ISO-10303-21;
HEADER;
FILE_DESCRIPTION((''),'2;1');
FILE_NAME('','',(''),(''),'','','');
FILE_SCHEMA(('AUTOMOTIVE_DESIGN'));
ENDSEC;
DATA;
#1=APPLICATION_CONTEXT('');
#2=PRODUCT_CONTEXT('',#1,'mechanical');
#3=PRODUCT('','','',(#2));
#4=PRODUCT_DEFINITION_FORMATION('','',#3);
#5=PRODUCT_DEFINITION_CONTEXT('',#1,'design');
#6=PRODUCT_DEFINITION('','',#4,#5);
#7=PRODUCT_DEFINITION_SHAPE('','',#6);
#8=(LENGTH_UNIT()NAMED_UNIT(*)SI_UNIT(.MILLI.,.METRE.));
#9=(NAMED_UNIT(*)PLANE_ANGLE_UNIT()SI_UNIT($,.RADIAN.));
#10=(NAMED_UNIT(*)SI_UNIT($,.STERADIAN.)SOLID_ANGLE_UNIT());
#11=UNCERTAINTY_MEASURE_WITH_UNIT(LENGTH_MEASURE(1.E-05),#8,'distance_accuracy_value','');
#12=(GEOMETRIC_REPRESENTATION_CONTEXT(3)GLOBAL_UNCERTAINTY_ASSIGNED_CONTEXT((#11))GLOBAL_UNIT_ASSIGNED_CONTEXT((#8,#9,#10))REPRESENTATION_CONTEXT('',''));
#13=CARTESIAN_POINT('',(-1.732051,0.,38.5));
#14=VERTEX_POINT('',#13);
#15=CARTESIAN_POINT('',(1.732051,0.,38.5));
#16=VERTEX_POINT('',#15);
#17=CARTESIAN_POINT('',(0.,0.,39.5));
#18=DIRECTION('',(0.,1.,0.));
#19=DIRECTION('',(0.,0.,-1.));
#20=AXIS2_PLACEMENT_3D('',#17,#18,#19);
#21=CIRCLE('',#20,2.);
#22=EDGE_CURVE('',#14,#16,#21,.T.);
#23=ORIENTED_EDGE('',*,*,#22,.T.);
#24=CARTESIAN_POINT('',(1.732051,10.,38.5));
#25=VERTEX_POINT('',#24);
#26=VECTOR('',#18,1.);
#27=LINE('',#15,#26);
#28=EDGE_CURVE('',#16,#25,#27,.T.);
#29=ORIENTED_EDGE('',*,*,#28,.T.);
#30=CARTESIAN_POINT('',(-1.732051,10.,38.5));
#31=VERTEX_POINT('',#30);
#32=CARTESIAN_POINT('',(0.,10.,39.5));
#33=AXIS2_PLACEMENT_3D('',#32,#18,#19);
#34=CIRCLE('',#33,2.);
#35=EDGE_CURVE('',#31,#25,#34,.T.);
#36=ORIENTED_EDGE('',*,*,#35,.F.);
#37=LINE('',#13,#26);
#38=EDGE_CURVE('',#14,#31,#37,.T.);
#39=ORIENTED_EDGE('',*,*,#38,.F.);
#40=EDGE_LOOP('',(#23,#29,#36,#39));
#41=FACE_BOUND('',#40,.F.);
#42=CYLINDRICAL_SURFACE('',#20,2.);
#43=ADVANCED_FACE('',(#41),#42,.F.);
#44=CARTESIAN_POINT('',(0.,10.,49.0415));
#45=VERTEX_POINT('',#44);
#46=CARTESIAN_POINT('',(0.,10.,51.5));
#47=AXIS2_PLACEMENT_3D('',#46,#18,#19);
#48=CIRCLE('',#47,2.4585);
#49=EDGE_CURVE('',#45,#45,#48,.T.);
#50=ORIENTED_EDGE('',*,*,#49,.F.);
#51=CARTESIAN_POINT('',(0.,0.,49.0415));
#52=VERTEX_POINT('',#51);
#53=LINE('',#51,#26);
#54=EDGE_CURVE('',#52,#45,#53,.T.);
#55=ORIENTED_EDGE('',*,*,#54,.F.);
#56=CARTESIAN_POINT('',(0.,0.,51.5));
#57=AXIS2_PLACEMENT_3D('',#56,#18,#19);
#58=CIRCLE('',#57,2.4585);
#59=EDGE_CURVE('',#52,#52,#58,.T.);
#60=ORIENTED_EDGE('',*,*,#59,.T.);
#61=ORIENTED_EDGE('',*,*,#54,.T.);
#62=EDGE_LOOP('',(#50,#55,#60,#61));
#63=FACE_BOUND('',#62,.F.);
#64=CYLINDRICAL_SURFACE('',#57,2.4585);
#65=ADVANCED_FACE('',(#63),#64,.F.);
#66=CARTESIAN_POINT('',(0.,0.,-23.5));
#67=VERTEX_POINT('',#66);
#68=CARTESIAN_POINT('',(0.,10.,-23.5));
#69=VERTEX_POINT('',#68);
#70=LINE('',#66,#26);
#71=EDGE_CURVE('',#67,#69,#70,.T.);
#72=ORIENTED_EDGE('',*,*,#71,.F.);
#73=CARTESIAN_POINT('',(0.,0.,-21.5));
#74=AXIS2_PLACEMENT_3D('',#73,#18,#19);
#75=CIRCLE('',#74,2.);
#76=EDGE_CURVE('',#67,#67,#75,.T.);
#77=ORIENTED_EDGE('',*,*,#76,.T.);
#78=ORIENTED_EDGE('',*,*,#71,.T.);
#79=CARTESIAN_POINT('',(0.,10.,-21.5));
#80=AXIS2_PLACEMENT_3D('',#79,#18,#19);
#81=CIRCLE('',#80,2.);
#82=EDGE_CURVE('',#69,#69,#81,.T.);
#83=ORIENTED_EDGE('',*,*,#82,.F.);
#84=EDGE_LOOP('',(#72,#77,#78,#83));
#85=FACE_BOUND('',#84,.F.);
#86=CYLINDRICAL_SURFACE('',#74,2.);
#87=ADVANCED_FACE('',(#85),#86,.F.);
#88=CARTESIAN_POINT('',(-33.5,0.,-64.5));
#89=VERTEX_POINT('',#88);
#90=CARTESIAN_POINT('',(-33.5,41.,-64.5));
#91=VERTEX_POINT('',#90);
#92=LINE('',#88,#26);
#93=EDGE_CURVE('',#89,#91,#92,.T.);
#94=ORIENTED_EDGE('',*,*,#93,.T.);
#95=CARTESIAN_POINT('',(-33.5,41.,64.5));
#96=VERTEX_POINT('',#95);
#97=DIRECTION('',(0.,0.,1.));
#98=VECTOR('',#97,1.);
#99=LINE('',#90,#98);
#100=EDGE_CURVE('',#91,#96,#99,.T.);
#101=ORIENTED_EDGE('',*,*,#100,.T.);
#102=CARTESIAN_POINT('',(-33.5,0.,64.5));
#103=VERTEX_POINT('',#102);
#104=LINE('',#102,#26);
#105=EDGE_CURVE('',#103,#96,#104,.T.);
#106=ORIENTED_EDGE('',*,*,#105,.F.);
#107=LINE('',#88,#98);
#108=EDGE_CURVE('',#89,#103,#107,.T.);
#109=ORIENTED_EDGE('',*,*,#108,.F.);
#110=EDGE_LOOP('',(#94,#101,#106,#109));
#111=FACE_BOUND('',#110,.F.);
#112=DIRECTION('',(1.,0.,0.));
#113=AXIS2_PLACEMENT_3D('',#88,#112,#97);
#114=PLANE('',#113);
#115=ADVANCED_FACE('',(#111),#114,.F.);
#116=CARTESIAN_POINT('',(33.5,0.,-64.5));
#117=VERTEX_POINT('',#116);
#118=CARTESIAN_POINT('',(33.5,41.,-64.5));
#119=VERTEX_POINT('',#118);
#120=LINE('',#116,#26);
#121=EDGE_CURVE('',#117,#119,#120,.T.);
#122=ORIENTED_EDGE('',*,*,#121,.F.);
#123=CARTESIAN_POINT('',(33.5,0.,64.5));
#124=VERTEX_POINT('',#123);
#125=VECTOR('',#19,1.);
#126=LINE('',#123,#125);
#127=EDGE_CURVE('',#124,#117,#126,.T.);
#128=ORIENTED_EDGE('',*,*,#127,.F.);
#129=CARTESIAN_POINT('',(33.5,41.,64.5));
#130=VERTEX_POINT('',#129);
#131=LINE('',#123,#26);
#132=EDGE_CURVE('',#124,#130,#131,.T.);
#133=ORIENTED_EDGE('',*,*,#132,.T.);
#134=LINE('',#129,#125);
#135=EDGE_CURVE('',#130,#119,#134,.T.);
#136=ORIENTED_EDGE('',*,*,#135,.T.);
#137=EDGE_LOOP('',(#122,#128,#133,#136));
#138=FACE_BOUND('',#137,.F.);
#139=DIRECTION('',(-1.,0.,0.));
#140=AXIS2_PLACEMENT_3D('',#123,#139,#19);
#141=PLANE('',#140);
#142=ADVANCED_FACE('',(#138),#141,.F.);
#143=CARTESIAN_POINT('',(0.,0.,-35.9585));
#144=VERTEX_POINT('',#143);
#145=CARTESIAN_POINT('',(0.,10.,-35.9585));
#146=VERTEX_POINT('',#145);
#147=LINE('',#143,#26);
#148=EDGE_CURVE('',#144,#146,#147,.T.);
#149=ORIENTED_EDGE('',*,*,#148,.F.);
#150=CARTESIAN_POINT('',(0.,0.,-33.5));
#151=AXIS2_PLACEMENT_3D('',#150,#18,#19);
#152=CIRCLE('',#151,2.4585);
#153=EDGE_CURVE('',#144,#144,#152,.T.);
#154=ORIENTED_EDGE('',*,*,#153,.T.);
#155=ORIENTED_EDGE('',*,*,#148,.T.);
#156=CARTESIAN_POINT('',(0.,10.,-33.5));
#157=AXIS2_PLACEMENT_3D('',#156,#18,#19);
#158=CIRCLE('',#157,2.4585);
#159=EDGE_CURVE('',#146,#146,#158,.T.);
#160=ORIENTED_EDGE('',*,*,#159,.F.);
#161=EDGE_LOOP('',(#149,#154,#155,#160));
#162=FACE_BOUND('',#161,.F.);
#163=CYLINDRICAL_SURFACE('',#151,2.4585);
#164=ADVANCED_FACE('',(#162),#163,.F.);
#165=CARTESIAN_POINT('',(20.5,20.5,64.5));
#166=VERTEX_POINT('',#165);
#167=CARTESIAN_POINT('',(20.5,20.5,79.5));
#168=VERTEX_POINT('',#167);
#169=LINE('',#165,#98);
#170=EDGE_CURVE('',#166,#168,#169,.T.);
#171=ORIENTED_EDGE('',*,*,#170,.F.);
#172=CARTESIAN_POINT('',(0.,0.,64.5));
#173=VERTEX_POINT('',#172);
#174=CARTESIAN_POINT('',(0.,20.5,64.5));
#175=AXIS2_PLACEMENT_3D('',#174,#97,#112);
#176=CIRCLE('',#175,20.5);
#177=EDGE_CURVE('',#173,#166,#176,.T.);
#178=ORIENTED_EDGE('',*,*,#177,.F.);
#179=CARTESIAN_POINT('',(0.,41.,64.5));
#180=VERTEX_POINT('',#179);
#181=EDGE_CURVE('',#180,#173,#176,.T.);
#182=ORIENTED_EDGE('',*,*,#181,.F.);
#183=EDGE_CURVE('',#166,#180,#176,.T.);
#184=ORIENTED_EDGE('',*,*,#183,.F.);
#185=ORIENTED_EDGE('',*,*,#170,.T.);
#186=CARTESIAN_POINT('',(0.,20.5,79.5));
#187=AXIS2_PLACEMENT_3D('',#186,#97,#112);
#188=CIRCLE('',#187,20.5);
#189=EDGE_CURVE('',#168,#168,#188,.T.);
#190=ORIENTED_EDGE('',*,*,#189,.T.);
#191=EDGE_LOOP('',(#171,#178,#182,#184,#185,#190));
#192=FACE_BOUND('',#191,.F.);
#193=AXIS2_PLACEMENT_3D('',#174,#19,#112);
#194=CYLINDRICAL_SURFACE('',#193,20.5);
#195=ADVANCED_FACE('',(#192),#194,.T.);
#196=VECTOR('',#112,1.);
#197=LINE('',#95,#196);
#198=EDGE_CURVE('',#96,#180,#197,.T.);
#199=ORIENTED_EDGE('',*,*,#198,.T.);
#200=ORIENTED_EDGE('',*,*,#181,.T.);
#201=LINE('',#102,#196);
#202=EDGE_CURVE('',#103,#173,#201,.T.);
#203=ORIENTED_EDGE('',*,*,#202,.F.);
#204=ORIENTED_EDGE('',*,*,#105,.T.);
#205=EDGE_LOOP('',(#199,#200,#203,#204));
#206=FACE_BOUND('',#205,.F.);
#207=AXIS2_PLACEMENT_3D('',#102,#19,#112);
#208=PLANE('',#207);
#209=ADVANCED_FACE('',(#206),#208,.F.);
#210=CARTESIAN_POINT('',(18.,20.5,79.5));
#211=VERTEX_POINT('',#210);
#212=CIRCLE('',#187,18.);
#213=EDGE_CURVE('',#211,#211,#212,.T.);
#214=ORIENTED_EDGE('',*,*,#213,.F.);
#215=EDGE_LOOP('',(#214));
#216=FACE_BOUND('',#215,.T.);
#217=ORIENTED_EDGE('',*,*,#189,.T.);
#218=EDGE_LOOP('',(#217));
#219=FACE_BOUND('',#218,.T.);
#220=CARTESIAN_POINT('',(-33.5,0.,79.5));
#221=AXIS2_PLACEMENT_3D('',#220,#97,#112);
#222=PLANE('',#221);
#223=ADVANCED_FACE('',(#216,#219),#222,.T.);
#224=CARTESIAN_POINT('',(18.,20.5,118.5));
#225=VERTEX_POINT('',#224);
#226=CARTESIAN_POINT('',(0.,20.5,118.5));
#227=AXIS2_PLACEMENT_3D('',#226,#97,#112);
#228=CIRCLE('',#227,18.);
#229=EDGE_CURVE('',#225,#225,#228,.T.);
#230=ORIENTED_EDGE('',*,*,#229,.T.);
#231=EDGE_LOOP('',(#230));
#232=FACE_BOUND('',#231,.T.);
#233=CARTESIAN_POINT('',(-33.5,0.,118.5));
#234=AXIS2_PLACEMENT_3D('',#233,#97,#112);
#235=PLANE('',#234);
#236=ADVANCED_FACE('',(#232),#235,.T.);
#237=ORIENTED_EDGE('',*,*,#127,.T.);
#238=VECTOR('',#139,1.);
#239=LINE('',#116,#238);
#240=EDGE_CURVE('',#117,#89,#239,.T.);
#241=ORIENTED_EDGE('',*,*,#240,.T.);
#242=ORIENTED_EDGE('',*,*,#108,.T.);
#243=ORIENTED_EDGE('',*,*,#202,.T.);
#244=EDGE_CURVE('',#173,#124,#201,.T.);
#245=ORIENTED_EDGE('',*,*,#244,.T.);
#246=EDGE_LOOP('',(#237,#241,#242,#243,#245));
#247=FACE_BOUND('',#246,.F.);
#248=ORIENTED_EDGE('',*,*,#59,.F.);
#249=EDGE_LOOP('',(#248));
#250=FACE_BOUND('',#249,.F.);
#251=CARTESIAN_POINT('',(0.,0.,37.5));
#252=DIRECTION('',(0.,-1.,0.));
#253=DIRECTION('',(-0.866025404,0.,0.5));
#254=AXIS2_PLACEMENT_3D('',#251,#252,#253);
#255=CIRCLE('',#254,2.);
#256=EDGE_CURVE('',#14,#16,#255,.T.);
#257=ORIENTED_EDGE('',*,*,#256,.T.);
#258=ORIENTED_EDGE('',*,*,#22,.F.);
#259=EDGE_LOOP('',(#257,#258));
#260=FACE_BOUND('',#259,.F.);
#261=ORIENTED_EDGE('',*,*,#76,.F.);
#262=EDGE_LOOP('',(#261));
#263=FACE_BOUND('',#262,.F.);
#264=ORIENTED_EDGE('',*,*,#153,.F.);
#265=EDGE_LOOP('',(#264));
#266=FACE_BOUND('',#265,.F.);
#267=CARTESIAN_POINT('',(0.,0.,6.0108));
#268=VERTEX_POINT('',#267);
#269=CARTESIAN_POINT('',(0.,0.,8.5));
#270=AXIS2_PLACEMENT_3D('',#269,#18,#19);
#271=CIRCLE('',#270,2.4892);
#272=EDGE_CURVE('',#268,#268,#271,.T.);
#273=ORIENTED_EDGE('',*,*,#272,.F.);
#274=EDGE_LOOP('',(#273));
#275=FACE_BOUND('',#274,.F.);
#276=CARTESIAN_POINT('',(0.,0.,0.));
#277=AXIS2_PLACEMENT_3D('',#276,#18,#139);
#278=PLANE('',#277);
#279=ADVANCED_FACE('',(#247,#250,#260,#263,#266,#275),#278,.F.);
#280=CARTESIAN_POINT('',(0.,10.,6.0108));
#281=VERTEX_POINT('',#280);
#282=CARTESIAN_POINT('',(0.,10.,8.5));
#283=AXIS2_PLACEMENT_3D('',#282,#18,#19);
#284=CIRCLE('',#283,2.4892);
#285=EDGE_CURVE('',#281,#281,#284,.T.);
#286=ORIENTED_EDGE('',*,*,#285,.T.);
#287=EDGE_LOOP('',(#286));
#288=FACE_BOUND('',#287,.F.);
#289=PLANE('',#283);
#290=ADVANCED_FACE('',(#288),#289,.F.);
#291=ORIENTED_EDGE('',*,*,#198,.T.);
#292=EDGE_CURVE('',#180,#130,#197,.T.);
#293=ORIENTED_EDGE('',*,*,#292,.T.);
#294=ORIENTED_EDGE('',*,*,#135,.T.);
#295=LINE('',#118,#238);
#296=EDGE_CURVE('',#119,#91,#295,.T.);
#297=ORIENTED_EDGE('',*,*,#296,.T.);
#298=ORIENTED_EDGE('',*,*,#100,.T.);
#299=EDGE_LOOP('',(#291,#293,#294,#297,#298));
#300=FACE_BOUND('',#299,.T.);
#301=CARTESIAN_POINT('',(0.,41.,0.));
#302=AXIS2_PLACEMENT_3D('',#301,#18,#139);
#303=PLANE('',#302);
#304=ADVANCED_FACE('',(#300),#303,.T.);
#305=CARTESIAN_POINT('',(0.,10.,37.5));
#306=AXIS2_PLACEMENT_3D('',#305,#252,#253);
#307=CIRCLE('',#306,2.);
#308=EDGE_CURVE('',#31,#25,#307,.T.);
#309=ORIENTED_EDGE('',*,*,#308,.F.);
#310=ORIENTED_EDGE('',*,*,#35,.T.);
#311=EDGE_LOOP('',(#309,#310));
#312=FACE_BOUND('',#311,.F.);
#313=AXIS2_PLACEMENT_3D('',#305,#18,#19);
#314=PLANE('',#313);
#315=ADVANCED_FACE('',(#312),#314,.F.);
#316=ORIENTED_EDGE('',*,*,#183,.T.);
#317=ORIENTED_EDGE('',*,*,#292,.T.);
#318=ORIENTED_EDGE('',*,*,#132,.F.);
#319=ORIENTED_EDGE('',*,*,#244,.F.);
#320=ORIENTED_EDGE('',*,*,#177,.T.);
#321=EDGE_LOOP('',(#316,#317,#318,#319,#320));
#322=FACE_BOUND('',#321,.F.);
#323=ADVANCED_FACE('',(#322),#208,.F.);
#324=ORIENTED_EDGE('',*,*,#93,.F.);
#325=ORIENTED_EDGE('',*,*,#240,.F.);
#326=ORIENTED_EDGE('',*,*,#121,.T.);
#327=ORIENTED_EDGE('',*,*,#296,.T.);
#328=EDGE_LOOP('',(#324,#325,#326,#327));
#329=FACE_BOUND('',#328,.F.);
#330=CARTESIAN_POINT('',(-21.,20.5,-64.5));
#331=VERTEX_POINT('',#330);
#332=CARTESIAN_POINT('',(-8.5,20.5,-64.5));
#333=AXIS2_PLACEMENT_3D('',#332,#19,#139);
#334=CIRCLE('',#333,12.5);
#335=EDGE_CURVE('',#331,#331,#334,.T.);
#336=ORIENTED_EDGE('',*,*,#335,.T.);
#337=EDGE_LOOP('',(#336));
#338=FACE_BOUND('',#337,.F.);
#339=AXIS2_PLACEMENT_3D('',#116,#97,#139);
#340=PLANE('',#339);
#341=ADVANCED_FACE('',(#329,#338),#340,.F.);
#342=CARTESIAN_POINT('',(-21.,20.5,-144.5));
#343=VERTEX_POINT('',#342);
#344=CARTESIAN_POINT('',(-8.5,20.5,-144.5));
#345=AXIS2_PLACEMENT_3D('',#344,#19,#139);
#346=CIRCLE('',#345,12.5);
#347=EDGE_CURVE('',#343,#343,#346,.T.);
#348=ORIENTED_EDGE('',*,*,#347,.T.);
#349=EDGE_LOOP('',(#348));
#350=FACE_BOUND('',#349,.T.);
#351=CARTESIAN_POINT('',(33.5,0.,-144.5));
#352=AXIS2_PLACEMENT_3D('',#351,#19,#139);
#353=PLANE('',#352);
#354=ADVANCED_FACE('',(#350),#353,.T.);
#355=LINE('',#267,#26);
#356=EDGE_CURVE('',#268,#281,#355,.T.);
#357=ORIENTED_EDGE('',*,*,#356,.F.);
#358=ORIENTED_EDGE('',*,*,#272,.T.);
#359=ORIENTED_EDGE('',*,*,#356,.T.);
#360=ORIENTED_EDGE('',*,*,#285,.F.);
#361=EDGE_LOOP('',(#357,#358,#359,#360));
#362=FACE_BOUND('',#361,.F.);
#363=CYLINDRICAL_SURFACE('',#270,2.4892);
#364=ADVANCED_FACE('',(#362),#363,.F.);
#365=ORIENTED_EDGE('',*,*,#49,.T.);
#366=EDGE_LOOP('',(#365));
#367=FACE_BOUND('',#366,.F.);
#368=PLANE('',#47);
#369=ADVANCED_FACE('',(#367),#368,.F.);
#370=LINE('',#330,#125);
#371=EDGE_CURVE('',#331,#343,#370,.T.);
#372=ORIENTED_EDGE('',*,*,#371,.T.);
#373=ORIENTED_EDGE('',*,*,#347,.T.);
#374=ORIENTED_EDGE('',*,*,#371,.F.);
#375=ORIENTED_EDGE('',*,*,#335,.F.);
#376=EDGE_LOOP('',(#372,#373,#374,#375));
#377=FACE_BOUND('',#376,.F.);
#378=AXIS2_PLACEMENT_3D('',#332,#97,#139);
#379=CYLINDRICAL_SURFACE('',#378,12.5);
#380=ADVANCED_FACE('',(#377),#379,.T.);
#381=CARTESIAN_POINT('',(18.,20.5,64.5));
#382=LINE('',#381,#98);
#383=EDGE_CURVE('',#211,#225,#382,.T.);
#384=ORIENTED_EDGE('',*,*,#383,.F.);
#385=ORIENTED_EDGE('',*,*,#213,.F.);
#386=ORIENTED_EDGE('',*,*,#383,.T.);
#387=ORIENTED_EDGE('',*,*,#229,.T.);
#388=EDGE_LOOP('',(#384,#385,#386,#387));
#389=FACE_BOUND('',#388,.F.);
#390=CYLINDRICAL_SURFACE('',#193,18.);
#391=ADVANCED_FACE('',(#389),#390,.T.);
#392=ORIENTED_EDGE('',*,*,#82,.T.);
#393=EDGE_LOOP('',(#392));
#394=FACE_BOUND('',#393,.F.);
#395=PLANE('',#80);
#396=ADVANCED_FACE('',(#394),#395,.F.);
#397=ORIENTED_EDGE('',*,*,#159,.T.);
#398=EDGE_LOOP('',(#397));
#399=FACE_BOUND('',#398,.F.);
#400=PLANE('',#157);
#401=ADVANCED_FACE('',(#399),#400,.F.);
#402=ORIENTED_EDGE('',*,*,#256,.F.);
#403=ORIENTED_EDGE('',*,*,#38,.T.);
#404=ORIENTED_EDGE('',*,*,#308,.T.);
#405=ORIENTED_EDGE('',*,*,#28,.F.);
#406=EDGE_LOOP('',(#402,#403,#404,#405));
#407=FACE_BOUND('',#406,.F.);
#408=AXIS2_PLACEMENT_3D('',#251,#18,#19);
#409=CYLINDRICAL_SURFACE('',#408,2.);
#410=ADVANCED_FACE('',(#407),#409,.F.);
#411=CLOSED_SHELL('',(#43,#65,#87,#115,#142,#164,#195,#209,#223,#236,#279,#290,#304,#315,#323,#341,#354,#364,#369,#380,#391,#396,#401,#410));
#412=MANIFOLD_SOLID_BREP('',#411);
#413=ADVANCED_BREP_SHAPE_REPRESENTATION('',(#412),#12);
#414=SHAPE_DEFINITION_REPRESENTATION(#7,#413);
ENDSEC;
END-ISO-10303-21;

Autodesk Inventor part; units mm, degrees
ref_plane "YZ Plane" through (0, 0, 0) normal (1, 0, 0) x (0, 1, 0)
ref_plane "XZ Plane" through (0, 0, 0) normal (0, 1, 0) x (-1, 0, 0)
ref_plane "XY Plane" through (0, 0, 0) normal (0, 0, 1) x (1, 0, 0)
sketch "Sketch1" plane through (0, 0, 0) normal (0, 1, 0) x (-1, 0, 0)
  line L0 (33.5, 64.5) -> (-33.5, 64.5)
  line L1 (-33.5, 64.5) -> (-33.5, -64.5)
  line L2 (-33.5, -64.5) -> (33.5, -64.5)
  line L3 (33.5, -64.5) -> (33.5, 64.5)
  line L4 (33.5, 64.5) -> (-33.5, -64.5) construction
  line L5 (-33.5, 64.5) -> (33.5, -64.5) construction
  point P0 (0, 0)
  dimension "d0" = 67
  dimension "d1" = 129
extrude "Extrusion1" add sketch "Sketch1" along normal blind 41
sketch "Sketch2" plane through (-33.5, 0, 64.5) normal (0, 0, 1) x (1, 0, 0)
  circle A0 centre (33.5, 20.5) radius 20.5
  circle A1 centre (33.5, 20.5) radius 18
  point P0 (33.5, 0)
  dimension "d4" = 41
  dimension "d5" = 36
extrude "Extrusion2" add sketch "Sketch2" along normal blind 54 contours A1
extrude "Extrusion3" add sketch "Sketch2" along normal blind 15
sketch "Sketch4" plane through (33.5, 0, -64.5) normal (0, 0, -1) x (-1, 0, 0)
  circle A0 centre (42, 20.5) radius 12.5
  line L0 (67, 0) -> (67, 41) projected
  point P0 (33.5, 0)
  dimension "d13" = 25
  dimension "d14" = 25
extrude "Extrusion5" add sketch "Sketch4" along normal blind 80
sketch "Sketch5" plane through (0, 0, 0) normal (0, -1, 0) x (1, 0, 0)
  circle A0 centre (0, 51.5) radius 2.5
  circle A1 centre (0, 8.5) radius 2.5
  circle A2 centre (0, -21.5) radius 2
  circle A3 centre (0, -33.5) radius 2.5
  line L0 (-2, 39.5) -> (-2, 37.5)
  line L1 (2, 37.5) -> (2, 39.5)
  arc A4 (2, 39.5) -> (-2, 39.5) centre (0, 39.5) ccw
  arc A5 (-2, 37.5) -> (2, 37.5) centre (0, 37.5) ccw
  line L2 (18, 118.5) -> (-18, 118.5) projected
  point P0 (2, 38.5)
  point P1 (-2, 38.5)
  dimension "d17" = 5
  dimension "d19" = 4
  dimension "d20" = 5
  dimension "d23" = 67
  dimension "d24" = 80
  dimension "d25" = 110
  dimension "d35" = 85
  dimension "d36" = 60
hole "Hole1" at (0, 0, 51.5) at (0, 0, -33.5) direction (0, 1, 0) diameter 4.917 depth 10 thread size "M6x1" class "6H" standard "ANSI Metric M Profile"
hole "Hole2" at (0, 0, 8.5) direction (0, 1, 0) diameter 4.9784 depth 10 thread size "1/4-20 UNC" class "2B" standard "ANSI Unified Screw Threads"
hole "Hole3" at (0, 0, 39.5) at (0, 0, 37.5) at (0, 0, -21.5) direction (0, 1, 0) diameter 4 depth 10
properties part number "Updated Laser Scanner"
